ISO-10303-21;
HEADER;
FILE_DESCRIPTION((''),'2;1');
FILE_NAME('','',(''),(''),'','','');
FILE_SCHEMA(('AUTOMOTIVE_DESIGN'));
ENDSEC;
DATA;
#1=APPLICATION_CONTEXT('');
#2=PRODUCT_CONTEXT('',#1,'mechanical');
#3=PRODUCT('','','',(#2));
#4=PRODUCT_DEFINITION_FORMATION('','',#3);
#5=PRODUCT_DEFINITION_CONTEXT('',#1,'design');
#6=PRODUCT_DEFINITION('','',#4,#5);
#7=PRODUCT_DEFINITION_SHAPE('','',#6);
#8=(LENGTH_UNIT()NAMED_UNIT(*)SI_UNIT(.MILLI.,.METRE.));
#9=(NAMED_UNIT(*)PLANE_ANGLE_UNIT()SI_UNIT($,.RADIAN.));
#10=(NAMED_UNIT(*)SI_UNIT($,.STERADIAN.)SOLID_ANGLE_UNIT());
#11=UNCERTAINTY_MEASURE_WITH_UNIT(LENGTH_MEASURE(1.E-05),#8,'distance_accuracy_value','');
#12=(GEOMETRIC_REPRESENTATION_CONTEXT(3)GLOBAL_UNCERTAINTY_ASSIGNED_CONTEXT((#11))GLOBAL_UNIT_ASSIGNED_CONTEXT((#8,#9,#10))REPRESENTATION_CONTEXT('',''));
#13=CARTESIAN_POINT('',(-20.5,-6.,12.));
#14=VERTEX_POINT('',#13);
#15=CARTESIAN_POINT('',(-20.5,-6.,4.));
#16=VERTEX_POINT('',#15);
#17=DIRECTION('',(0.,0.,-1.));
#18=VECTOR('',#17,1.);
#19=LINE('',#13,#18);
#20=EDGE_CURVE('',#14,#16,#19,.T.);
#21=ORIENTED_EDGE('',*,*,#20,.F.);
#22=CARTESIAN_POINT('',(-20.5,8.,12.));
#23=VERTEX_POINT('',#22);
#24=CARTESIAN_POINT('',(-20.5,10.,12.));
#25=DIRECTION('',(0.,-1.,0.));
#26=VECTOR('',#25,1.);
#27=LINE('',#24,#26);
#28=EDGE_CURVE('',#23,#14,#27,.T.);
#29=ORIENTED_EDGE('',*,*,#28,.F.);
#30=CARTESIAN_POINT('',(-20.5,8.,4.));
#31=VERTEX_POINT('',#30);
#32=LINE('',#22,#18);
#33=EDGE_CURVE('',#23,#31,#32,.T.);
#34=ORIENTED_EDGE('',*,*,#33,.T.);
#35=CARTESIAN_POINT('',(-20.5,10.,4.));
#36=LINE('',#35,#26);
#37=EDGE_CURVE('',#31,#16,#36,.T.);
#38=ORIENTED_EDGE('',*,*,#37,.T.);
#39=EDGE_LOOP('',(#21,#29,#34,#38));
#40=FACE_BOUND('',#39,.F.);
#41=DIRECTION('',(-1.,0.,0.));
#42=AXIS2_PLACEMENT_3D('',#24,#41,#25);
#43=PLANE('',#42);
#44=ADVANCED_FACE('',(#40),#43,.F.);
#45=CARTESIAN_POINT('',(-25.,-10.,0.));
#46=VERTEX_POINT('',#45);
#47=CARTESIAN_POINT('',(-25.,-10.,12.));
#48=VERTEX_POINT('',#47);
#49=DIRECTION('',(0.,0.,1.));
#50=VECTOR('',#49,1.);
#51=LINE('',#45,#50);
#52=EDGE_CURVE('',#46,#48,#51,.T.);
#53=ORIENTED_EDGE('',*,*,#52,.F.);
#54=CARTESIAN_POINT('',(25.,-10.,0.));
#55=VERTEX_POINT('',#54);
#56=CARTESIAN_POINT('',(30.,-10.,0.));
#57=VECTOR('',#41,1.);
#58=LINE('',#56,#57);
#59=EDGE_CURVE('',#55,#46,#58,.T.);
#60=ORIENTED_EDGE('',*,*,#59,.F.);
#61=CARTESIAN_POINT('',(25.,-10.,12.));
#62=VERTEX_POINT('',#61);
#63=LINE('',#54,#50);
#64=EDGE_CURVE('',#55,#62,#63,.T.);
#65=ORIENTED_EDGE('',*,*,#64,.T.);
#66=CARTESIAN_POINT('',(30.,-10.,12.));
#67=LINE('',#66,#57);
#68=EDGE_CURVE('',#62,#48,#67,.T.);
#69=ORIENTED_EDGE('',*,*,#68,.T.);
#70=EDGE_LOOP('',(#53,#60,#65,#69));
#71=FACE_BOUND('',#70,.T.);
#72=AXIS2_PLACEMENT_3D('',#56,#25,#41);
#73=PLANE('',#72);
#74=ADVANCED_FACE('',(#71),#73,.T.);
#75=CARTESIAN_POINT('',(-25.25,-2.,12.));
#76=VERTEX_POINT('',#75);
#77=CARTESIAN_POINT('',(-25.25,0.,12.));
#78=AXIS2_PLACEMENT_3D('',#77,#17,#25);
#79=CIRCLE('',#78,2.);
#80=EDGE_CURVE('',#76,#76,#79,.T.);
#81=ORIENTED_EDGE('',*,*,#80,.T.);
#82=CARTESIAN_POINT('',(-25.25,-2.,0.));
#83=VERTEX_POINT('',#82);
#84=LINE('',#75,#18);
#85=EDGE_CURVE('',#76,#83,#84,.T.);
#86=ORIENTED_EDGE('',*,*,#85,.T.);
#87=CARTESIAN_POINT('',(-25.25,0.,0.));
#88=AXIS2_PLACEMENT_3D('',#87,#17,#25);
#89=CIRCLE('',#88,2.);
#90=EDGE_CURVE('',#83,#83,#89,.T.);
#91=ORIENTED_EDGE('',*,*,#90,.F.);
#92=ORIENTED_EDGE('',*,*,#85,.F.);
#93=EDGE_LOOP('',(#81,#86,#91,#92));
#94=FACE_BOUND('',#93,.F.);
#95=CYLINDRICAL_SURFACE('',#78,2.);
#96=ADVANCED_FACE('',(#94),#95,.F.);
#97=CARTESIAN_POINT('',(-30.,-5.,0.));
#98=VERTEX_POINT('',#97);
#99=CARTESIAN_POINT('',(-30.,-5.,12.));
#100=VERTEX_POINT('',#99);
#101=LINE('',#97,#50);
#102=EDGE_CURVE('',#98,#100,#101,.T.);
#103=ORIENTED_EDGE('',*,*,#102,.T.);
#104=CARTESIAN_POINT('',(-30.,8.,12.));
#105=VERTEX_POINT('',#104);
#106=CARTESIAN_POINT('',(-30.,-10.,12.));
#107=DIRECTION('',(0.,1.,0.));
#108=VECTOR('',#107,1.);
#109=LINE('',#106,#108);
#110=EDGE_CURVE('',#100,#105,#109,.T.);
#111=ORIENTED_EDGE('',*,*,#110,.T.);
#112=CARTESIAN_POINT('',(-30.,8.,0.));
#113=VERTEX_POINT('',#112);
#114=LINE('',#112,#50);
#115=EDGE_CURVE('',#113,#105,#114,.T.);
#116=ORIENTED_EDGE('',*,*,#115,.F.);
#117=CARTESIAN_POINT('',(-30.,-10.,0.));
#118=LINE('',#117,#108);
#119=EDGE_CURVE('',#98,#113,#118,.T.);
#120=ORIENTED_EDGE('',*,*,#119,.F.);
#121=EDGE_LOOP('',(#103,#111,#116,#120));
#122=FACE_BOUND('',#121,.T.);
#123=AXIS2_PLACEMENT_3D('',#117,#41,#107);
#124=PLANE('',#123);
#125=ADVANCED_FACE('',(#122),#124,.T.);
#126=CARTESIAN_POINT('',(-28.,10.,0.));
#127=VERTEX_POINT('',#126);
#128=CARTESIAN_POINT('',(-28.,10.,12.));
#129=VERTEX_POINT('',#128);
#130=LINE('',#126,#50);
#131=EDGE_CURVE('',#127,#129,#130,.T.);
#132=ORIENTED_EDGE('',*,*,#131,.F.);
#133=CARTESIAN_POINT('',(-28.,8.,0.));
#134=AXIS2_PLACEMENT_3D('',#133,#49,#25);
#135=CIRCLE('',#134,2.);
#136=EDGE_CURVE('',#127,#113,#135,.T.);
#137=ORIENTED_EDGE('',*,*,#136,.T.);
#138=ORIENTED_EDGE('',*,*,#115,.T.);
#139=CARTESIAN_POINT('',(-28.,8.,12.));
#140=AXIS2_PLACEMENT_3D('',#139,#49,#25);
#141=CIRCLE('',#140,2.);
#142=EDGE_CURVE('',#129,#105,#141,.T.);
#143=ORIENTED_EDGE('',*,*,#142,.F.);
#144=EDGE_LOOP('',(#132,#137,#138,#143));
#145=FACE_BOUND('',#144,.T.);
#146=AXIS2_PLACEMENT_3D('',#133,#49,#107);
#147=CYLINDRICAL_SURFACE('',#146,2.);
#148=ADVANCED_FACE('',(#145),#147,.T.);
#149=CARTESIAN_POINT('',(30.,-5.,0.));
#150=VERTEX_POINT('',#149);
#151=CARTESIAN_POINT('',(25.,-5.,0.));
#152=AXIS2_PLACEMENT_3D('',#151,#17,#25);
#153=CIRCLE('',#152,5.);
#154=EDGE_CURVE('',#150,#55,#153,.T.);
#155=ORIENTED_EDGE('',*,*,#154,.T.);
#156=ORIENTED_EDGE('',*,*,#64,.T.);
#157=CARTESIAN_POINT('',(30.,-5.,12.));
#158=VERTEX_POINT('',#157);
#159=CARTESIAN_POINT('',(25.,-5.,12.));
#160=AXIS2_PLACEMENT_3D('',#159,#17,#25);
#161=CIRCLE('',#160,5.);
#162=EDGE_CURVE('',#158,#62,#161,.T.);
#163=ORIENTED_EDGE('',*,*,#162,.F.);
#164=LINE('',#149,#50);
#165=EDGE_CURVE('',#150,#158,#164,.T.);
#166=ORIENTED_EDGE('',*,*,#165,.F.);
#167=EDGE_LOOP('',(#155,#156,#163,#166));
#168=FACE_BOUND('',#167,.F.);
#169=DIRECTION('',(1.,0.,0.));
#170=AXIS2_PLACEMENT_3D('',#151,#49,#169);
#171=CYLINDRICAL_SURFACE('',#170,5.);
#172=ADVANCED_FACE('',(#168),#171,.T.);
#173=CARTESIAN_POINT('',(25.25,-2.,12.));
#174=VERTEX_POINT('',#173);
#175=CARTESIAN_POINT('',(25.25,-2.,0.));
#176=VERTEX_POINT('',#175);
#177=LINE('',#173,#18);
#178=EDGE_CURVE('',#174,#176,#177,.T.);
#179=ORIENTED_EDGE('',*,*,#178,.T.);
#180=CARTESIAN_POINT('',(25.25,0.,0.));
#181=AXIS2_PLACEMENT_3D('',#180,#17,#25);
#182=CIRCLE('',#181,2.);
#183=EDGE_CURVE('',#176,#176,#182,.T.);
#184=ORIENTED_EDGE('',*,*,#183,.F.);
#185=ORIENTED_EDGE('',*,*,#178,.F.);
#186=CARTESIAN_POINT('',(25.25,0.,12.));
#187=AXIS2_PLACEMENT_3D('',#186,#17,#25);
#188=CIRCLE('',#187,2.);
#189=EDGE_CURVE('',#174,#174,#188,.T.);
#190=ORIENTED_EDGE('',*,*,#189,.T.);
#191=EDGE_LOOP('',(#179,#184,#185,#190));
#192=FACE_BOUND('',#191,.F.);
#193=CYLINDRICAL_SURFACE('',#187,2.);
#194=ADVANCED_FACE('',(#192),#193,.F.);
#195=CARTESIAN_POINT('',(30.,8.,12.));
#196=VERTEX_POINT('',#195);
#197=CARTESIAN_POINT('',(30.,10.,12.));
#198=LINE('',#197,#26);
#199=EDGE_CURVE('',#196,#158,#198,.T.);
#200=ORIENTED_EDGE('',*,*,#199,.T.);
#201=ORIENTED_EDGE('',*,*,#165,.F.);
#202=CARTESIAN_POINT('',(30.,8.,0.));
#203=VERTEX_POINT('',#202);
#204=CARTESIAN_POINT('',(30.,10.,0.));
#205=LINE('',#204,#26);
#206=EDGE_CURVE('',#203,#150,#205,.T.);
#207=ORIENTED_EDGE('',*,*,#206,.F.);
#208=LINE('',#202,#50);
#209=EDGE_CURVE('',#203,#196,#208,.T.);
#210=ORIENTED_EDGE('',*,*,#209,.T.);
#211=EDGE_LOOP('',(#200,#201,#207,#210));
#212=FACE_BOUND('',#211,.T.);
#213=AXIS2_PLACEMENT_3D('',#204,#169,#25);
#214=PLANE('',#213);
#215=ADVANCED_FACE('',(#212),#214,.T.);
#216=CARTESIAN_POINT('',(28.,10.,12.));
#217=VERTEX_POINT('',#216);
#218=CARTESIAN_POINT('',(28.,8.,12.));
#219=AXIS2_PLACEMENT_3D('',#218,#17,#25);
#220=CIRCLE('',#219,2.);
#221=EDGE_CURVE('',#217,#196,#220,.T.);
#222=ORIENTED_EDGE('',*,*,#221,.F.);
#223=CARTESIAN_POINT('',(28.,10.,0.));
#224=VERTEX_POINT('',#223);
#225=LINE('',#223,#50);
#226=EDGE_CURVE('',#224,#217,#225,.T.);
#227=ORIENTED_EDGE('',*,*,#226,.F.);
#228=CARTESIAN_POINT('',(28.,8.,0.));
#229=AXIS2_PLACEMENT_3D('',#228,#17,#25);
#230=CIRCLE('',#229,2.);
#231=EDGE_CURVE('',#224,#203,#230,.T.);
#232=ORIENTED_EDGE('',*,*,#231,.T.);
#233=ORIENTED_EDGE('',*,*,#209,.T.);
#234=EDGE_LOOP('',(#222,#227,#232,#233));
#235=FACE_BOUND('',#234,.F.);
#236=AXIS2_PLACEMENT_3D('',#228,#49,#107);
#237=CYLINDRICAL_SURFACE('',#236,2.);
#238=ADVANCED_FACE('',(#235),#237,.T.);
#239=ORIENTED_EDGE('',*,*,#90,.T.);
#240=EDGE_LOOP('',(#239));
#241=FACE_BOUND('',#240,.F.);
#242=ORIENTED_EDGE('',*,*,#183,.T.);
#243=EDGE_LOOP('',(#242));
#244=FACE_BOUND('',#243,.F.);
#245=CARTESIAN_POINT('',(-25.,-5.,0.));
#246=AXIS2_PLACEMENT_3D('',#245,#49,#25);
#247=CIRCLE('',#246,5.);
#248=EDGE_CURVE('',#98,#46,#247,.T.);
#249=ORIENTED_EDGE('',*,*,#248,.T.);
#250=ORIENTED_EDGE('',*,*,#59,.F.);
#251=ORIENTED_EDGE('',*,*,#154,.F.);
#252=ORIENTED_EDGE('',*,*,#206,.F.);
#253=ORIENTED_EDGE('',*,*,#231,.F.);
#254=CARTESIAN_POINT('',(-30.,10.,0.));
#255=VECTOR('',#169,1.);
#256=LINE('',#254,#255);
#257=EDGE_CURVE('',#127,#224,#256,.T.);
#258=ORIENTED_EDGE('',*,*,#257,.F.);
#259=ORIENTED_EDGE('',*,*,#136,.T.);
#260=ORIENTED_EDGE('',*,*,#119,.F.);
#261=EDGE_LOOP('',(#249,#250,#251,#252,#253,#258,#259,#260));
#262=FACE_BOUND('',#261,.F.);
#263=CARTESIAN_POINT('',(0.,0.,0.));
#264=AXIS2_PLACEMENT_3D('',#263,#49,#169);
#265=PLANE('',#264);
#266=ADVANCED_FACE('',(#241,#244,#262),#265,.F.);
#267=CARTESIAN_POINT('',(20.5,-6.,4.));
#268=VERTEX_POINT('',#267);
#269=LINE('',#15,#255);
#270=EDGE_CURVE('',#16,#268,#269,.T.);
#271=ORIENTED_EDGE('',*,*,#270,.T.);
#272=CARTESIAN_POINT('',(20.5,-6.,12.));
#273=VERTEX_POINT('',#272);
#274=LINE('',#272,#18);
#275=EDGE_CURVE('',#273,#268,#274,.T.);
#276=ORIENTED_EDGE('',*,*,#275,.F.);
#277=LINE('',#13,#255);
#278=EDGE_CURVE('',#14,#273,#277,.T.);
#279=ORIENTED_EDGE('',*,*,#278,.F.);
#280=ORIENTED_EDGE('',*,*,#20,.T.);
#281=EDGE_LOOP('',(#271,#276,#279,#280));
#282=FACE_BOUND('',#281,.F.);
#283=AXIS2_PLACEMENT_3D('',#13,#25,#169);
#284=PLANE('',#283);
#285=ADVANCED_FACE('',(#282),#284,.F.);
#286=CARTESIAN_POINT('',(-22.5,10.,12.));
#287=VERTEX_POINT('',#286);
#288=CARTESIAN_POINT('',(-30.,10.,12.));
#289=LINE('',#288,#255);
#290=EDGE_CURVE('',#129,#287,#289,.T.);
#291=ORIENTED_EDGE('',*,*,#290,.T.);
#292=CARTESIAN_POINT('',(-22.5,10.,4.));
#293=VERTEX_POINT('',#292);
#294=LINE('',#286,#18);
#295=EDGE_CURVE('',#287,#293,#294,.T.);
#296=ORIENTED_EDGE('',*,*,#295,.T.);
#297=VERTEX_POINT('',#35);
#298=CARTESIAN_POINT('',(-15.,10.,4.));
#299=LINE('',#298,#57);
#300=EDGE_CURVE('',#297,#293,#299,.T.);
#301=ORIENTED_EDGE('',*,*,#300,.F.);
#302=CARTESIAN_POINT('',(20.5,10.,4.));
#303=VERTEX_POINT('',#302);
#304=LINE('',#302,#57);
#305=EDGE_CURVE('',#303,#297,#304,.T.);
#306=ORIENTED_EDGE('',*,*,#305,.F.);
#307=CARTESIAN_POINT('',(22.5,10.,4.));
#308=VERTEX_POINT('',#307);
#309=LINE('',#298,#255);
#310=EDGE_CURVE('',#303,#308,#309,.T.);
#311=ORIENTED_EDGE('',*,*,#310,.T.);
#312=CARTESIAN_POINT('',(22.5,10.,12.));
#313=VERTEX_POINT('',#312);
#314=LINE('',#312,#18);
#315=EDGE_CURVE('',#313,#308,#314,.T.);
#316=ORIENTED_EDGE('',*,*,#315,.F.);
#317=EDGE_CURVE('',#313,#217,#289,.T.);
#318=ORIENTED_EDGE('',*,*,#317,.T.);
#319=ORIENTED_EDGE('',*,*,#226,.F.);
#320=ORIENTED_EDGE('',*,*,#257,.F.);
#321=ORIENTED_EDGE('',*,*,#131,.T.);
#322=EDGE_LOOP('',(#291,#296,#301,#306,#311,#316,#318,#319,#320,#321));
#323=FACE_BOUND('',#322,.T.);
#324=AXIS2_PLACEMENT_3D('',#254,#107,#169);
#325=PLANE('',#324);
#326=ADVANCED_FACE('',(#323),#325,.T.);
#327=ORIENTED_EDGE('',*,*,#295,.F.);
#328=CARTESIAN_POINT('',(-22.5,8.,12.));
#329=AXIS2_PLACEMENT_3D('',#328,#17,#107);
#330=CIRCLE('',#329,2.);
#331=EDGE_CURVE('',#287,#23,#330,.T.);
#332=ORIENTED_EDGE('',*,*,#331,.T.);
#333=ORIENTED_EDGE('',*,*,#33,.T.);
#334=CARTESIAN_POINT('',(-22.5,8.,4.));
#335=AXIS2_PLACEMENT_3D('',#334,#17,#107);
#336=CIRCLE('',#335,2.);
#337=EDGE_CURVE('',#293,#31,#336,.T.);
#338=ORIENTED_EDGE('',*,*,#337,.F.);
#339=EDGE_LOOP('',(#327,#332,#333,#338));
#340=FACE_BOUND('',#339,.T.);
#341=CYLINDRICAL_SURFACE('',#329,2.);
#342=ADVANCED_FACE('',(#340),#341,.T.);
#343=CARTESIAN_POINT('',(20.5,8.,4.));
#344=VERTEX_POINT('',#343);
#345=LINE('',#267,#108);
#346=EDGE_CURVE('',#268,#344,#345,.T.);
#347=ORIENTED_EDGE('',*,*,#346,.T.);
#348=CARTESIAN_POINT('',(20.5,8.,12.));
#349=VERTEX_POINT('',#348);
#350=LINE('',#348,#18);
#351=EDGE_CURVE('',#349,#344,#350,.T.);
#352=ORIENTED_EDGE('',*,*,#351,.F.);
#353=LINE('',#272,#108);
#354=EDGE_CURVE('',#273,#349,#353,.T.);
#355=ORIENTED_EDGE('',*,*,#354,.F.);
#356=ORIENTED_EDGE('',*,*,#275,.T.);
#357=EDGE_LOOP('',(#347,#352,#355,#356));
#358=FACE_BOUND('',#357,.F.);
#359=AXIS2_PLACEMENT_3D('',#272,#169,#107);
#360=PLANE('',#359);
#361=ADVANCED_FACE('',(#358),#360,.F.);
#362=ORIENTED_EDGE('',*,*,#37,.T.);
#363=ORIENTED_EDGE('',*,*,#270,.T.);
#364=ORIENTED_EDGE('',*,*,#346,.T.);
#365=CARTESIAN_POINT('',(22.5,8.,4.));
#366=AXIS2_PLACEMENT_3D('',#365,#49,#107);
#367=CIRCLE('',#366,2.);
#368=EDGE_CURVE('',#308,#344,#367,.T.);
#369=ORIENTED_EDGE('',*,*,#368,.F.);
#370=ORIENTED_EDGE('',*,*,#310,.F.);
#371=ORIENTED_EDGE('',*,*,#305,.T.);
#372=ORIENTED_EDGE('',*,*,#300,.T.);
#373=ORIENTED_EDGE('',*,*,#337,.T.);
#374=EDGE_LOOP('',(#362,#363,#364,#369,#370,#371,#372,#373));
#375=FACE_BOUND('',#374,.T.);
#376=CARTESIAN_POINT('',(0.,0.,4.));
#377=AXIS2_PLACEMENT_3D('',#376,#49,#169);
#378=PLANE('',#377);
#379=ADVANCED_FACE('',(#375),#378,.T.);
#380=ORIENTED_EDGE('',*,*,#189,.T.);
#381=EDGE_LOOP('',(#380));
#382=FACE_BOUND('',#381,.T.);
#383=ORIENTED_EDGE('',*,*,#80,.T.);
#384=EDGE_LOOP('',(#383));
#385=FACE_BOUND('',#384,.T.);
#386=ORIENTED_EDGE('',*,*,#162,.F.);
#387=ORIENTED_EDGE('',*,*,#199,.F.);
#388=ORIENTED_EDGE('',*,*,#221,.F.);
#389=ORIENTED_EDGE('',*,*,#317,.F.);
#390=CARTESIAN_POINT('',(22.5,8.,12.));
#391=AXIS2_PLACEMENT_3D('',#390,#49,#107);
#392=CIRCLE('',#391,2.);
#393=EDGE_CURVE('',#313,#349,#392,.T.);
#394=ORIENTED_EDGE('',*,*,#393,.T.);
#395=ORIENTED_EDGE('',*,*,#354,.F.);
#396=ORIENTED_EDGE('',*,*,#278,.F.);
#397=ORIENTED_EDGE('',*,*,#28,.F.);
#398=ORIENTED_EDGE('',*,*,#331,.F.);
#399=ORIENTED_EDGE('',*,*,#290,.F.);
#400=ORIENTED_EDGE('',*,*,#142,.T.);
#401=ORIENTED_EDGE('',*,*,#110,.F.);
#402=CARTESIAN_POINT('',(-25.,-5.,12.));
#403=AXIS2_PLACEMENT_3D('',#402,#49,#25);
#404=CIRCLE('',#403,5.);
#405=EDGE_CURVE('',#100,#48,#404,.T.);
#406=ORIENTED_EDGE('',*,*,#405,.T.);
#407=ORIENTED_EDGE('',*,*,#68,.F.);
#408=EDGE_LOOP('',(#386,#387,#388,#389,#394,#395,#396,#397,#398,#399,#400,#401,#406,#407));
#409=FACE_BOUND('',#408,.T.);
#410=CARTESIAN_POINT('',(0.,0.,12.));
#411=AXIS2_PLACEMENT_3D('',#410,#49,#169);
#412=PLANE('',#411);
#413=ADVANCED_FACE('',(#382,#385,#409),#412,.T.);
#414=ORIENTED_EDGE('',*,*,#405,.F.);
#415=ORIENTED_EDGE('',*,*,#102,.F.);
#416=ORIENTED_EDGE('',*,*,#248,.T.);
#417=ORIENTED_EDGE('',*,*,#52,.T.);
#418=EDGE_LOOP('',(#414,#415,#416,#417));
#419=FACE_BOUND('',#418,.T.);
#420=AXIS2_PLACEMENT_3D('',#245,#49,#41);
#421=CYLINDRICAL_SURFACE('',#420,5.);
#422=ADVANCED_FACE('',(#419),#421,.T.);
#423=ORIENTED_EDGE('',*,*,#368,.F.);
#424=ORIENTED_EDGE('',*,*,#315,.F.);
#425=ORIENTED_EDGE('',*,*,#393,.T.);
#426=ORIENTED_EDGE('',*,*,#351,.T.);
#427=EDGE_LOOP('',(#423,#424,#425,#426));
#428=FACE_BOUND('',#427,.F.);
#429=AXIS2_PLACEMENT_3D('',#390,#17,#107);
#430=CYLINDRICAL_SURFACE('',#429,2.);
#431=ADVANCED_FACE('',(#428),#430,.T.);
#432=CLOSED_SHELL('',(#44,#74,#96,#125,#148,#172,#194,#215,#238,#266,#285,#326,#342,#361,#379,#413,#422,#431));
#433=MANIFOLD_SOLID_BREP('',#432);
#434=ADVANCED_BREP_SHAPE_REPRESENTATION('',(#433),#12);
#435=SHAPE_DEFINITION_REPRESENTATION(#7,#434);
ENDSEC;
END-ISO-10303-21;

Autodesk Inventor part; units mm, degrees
ref_plane "YZ Plane" through (0, 0, 0) normal (1, 0, 0) x (0, 1, 0)
ref_plane "XZ Plane" through (0, 0, 0) normal (0, 1, 0) x (-1, 0, 0)
ref_plane "XY Plane" through (0, 0, 0) normal (0, 0, 1) x (1, 0, 0)
sketch "Sketch1" plane through (0, 0, 0) normal (0, 0, 1) x (1, 0, 0)
  line L0 (-30, 10) -> (30, 10)
  line L1 (30, 10) -> (30, -10)
  line L2 (30, -10) -> (-30, -10)
  line L3 (-30, -10) -> (-30, 10)
  line L4 (-30, 10) -> (30, -10) construction
  line L5 (30, 10) -> (-30, -10) construction
  point P0 (0, 0)
  dimension "d0" = 60
  dimension "d1" = 20
extrude "Extrusion1" add sketch "Sketch1" along normal blind 12
sketch "Sketch2" plane through (0, 0, 12) normal (0, 0, 1) x (1, 0, 0)
  line L0 (-20.5, -6) -> (20.5, -6)
  line L1 (20.5, -6) -> (20.5, 10)
  line L2 (20.5, 10) -> (-20.5, 10)
  line L3 (-20.5, 10) -> (-20.5, -6)
  line L4 (30, 10) -> (-30, 10) projected
  line L5 (-30, -10) -> (30, -10) projected
  point P0 (0, 0)
  point P1 (0, 10)
  dimension "d4" = 41
  dimension "d5" = 4
extrude "Extrusion2" cut sketch "Sketch2" against normal blind 8
sketch "Sketch3" plane through (0, 0, 12) normal (0, 0, 1) x (1, 0, 0)
  line L0 (-25.25, 0) -> (25.25, 0) construction
  line L1 (-30, 10) -> (-30, -10) projected
  line L2 (-20.5, -6) -> (-20.5, 10) projected
  point P0 (0, 0)
  point P1 (0, 0)
  dimension "d8" = 9.5
  dimension "d9" = 4.75
hole "Hole1" at (-25.25, 0, 12) at (25.25, 0, 12) direction (0, 0, -1) diameter 4 end through all
fillet "Fillet1" radius 2 4 edges at (-30, 10, 6) (-20.5, 10, 8) (20.5, 10, 8) (30, 10, 6)
fillet "Fillet2" radius 5 2 edges at (30, -10, 6) (-30, -10, 6)
equation "\"d9\" = 0.5 * d8"
properties part number "Battery Support"
